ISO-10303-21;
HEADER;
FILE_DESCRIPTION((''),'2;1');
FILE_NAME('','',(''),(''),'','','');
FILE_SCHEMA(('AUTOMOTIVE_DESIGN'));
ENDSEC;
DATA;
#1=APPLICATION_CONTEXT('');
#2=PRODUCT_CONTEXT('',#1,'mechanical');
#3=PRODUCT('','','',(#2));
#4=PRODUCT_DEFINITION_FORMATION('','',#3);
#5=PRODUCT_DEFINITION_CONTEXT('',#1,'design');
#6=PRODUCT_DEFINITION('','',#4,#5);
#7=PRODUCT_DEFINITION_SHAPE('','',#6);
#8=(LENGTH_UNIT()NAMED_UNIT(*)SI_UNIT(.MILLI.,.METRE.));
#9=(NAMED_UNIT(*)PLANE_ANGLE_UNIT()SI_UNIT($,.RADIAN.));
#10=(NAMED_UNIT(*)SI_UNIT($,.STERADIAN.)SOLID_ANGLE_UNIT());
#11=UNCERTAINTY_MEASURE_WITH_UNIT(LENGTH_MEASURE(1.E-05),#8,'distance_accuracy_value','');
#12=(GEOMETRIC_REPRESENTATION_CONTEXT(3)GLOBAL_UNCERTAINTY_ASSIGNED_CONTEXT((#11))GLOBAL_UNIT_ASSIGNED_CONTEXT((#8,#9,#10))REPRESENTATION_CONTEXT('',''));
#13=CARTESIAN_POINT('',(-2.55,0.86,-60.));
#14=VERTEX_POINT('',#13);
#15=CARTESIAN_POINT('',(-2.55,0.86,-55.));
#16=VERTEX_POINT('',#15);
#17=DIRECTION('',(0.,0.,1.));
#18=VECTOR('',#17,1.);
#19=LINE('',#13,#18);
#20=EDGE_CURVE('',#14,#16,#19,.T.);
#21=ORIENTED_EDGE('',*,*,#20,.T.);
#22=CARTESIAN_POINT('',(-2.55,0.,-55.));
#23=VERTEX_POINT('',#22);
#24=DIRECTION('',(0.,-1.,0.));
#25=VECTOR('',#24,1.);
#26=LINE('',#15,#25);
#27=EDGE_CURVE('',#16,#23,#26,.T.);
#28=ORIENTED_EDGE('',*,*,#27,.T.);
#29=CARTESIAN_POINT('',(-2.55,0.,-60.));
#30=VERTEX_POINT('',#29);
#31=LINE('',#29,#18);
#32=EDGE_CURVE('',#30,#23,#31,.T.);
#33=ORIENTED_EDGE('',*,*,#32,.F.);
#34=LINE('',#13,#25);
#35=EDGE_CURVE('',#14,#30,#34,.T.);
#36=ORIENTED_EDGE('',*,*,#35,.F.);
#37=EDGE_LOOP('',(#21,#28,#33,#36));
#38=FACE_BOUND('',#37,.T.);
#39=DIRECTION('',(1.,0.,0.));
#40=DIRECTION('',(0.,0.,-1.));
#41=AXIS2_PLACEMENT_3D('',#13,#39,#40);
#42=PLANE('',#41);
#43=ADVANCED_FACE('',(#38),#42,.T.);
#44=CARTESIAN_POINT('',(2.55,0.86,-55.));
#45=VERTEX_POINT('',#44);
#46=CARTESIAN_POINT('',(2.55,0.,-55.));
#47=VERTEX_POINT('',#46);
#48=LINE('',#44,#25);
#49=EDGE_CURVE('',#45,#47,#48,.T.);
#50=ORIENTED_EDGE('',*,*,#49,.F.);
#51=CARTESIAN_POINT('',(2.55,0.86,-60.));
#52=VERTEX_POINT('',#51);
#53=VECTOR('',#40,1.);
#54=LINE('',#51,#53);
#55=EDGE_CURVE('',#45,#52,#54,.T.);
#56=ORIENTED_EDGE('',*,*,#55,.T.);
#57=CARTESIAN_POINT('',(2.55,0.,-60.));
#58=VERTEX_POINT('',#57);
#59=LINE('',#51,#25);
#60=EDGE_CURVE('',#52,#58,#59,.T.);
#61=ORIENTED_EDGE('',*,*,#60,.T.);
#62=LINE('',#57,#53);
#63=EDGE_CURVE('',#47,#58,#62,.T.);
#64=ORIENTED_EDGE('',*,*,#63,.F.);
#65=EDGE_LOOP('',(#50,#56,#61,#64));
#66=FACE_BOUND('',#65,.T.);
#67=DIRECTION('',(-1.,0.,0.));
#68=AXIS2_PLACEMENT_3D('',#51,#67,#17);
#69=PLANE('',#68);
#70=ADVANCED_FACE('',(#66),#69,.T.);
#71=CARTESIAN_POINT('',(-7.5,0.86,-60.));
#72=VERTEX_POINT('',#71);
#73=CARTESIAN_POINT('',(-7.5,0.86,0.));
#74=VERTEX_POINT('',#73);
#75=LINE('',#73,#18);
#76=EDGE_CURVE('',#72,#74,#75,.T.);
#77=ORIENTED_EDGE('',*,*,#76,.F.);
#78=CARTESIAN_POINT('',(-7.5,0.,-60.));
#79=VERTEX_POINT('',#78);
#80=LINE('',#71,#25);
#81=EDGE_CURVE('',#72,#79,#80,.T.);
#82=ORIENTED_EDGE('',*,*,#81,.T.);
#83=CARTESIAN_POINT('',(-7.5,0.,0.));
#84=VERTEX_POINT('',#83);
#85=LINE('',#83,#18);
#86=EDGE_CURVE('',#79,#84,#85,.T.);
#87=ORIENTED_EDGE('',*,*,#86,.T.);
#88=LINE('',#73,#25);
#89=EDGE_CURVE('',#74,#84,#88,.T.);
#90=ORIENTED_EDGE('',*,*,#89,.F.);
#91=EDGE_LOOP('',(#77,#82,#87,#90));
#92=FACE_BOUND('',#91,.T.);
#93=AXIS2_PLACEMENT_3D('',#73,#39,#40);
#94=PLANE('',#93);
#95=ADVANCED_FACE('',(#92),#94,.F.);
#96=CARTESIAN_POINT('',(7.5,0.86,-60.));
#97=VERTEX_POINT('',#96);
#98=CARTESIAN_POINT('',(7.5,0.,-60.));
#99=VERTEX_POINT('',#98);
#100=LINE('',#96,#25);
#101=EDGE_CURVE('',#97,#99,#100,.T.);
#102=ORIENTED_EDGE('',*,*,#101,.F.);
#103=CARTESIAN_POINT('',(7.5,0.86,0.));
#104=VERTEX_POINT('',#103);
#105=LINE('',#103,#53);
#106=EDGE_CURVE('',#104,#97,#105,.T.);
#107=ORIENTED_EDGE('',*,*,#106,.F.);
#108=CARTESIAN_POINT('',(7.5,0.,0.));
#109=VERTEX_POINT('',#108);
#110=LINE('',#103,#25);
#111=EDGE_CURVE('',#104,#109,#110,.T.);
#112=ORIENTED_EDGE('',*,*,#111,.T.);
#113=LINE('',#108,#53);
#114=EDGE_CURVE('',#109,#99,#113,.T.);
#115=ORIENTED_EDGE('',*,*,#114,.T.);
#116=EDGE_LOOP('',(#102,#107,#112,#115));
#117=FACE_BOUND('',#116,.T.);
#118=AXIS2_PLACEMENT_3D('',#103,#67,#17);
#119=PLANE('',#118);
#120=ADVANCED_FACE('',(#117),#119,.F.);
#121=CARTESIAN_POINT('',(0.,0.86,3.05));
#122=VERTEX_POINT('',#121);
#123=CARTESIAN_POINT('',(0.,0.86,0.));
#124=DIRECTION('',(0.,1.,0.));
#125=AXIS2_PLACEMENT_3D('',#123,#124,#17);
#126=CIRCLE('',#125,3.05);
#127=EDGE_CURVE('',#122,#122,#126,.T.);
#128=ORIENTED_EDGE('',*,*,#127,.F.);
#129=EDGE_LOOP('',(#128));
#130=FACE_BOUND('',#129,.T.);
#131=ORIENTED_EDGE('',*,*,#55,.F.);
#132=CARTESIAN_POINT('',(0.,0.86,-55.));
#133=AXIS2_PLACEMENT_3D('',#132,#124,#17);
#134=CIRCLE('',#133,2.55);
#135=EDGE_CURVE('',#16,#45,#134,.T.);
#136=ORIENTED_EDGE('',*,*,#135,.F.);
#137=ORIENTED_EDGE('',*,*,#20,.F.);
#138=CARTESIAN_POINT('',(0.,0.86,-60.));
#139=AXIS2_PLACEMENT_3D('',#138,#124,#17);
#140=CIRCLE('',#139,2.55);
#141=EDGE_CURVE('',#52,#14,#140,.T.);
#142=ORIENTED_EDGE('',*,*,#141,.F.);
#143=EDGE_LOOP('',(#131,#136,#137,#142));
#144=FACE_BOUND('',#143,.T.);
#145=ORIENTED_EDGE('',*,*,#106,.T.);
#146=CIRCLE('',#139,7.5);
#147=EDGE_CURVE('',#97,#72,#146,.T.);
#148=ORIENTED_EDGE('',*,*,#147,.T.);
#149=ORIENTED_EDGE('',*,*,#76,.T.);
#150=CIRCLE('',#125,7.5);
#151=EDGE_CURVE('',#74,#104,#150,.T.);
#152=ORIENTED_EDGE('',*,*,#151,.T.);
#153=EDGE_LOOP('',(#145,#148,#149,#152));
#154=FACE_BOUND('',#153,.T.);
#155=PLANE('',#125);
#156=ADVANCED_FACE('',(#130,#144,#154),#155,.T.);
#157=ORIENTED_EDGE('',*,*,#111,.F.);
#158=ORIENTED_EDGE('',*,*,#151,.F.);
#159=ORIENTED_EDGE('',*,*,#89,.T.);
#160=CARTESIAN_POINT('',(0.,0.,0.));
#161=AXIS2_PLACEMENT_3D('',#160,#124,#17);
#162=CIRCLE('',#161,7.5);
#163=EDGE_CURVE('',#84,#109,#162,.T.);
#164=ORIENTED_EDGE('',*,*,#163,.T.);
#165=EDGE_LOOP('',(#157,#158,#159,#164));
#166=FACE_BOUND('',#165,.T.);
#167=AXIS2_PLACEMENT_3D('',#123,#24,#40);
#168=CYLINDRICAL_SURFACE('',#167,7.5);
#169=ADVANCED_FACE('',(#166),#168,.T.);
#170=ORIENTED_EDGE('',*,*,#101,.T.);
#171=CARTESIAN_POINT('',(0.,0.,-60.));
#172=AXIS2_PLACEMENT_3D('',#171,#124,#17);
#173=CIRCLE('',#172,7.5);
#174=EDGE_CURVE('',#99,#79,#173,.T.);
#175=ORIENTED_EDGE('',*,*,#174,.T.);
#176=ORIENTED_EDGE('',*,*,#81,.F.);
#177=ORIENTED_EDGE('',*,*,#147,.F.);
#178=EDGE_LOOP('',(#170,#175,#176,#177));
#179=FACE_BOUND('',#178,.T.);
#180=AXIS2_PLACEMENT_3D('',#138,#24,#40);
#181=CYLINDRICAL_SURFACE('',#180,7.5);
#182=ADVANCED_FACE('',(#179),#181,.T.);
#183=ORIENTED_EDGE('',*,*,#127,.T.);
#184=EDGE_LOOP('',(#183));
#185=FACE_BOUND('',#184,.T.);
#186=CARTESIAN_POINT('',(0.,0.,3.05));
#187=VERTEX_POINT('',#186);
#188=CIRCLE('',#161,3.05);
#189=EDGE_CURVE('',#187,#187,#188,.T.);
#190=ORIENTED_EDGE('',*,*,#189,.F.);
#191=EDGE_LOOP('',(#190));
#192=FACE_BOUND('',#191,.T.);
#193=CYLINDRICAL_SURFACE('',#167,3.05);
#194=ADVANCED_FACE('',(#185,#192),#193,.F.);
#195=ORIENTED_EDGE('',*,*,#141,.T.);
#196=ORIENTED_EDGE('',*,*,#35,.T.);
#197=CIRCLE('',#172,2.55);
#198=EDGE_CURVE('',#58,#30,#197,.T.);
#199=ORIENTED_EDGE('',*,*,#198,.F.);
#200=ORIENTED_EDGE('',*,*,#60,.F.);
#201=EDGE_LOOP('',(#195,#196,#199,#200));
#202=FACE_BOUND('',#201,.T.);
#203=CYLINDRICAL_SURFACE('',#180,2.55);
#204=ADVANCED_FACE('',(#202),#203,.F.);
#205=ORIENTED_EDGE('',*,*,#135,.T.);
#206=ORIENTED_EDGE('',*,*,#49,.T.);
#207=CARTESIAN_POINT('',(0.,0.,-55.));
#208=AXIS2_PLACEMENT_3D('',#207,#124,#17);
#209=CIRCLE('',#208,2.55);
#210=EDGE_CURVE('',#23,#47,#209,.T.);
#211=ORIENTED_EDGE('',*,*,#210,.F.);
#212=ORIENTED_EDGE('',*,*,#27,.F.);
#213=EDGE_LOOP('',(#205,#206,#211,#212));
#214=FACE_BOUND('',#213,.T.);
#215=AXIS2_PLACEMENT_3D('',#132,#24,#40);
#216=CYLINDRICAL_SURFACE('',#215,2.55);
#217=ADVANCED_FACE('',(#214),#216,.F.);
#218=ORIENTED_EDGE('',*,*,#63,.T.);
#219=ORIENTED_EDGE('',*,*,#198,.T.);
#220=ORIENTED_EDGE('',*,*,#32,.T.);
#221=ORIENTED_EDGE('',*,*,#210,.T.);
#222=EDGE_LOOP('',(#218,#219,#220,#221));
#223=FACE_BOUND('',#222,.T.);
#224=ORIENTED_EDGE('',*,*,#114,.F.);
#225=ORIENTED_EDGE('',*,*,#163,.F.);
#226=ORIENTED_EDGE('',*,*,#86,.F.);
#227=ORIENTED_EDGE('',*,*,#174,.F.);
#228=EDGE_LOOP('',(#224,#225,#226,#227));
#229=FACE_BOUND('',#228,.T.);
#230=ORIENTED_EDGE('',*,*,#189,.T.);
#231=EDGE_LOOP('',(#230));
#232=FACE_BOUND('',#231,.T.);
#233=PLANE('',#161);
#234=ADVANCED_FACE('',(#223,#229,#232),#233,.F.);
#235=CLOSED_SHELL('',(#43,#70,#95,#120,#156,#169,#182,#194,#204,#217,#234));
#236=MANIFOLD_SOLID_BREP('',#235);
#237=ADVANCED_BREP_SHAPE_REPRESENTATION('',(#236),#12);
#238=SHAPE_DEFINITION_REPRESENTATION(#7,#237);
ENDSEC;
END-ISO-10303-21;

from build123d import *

# Parameters (mm, degrees)
SKETCH1_R           = 3.05
BOSS_EXTRUDE1_DEPTH = 0.86


with BuildPart() as part:
    # Sketch1 → Boss-Extrude1 (new body)
    with BuildSketch(Plane(origin=(0, 0, 0), x_dir=(1, 0, 0), z_dir=(0, 1, 0))):
        with BuildLine():
            Line((-7.5, 0), (-7.5, 60))
            ThreePointArc((-7.5, 60), (0, 67.5), (7.5, 60))
            Line((7.5, 60), (7.5, 0))
            ThreePointArc((7.5, 0), (0, -7.5), (-7.5, 0))
        make_face()
        with Locations(Location((0, 0, 0), (0, 0, 270))):
            Circle(SKETCH1_R, mode=Mode.SUBTRACT)
        with BuildLine():
            Line((2.55, 60), (2.55, 55))
            ThreePointArc((2.55, 55), (0, 52.45), (-2.55, 55))
            Line((-2.55, 55), (-2.55, 60))
            ThreePointArc((-2.55, 60), (0, 62.55), (2.55, 60))
        make_face(mode=Mode.SUBTRACT)
    extrude(amount=BOSS_EXTRUDE1_DEPTH)


solid = part.part
